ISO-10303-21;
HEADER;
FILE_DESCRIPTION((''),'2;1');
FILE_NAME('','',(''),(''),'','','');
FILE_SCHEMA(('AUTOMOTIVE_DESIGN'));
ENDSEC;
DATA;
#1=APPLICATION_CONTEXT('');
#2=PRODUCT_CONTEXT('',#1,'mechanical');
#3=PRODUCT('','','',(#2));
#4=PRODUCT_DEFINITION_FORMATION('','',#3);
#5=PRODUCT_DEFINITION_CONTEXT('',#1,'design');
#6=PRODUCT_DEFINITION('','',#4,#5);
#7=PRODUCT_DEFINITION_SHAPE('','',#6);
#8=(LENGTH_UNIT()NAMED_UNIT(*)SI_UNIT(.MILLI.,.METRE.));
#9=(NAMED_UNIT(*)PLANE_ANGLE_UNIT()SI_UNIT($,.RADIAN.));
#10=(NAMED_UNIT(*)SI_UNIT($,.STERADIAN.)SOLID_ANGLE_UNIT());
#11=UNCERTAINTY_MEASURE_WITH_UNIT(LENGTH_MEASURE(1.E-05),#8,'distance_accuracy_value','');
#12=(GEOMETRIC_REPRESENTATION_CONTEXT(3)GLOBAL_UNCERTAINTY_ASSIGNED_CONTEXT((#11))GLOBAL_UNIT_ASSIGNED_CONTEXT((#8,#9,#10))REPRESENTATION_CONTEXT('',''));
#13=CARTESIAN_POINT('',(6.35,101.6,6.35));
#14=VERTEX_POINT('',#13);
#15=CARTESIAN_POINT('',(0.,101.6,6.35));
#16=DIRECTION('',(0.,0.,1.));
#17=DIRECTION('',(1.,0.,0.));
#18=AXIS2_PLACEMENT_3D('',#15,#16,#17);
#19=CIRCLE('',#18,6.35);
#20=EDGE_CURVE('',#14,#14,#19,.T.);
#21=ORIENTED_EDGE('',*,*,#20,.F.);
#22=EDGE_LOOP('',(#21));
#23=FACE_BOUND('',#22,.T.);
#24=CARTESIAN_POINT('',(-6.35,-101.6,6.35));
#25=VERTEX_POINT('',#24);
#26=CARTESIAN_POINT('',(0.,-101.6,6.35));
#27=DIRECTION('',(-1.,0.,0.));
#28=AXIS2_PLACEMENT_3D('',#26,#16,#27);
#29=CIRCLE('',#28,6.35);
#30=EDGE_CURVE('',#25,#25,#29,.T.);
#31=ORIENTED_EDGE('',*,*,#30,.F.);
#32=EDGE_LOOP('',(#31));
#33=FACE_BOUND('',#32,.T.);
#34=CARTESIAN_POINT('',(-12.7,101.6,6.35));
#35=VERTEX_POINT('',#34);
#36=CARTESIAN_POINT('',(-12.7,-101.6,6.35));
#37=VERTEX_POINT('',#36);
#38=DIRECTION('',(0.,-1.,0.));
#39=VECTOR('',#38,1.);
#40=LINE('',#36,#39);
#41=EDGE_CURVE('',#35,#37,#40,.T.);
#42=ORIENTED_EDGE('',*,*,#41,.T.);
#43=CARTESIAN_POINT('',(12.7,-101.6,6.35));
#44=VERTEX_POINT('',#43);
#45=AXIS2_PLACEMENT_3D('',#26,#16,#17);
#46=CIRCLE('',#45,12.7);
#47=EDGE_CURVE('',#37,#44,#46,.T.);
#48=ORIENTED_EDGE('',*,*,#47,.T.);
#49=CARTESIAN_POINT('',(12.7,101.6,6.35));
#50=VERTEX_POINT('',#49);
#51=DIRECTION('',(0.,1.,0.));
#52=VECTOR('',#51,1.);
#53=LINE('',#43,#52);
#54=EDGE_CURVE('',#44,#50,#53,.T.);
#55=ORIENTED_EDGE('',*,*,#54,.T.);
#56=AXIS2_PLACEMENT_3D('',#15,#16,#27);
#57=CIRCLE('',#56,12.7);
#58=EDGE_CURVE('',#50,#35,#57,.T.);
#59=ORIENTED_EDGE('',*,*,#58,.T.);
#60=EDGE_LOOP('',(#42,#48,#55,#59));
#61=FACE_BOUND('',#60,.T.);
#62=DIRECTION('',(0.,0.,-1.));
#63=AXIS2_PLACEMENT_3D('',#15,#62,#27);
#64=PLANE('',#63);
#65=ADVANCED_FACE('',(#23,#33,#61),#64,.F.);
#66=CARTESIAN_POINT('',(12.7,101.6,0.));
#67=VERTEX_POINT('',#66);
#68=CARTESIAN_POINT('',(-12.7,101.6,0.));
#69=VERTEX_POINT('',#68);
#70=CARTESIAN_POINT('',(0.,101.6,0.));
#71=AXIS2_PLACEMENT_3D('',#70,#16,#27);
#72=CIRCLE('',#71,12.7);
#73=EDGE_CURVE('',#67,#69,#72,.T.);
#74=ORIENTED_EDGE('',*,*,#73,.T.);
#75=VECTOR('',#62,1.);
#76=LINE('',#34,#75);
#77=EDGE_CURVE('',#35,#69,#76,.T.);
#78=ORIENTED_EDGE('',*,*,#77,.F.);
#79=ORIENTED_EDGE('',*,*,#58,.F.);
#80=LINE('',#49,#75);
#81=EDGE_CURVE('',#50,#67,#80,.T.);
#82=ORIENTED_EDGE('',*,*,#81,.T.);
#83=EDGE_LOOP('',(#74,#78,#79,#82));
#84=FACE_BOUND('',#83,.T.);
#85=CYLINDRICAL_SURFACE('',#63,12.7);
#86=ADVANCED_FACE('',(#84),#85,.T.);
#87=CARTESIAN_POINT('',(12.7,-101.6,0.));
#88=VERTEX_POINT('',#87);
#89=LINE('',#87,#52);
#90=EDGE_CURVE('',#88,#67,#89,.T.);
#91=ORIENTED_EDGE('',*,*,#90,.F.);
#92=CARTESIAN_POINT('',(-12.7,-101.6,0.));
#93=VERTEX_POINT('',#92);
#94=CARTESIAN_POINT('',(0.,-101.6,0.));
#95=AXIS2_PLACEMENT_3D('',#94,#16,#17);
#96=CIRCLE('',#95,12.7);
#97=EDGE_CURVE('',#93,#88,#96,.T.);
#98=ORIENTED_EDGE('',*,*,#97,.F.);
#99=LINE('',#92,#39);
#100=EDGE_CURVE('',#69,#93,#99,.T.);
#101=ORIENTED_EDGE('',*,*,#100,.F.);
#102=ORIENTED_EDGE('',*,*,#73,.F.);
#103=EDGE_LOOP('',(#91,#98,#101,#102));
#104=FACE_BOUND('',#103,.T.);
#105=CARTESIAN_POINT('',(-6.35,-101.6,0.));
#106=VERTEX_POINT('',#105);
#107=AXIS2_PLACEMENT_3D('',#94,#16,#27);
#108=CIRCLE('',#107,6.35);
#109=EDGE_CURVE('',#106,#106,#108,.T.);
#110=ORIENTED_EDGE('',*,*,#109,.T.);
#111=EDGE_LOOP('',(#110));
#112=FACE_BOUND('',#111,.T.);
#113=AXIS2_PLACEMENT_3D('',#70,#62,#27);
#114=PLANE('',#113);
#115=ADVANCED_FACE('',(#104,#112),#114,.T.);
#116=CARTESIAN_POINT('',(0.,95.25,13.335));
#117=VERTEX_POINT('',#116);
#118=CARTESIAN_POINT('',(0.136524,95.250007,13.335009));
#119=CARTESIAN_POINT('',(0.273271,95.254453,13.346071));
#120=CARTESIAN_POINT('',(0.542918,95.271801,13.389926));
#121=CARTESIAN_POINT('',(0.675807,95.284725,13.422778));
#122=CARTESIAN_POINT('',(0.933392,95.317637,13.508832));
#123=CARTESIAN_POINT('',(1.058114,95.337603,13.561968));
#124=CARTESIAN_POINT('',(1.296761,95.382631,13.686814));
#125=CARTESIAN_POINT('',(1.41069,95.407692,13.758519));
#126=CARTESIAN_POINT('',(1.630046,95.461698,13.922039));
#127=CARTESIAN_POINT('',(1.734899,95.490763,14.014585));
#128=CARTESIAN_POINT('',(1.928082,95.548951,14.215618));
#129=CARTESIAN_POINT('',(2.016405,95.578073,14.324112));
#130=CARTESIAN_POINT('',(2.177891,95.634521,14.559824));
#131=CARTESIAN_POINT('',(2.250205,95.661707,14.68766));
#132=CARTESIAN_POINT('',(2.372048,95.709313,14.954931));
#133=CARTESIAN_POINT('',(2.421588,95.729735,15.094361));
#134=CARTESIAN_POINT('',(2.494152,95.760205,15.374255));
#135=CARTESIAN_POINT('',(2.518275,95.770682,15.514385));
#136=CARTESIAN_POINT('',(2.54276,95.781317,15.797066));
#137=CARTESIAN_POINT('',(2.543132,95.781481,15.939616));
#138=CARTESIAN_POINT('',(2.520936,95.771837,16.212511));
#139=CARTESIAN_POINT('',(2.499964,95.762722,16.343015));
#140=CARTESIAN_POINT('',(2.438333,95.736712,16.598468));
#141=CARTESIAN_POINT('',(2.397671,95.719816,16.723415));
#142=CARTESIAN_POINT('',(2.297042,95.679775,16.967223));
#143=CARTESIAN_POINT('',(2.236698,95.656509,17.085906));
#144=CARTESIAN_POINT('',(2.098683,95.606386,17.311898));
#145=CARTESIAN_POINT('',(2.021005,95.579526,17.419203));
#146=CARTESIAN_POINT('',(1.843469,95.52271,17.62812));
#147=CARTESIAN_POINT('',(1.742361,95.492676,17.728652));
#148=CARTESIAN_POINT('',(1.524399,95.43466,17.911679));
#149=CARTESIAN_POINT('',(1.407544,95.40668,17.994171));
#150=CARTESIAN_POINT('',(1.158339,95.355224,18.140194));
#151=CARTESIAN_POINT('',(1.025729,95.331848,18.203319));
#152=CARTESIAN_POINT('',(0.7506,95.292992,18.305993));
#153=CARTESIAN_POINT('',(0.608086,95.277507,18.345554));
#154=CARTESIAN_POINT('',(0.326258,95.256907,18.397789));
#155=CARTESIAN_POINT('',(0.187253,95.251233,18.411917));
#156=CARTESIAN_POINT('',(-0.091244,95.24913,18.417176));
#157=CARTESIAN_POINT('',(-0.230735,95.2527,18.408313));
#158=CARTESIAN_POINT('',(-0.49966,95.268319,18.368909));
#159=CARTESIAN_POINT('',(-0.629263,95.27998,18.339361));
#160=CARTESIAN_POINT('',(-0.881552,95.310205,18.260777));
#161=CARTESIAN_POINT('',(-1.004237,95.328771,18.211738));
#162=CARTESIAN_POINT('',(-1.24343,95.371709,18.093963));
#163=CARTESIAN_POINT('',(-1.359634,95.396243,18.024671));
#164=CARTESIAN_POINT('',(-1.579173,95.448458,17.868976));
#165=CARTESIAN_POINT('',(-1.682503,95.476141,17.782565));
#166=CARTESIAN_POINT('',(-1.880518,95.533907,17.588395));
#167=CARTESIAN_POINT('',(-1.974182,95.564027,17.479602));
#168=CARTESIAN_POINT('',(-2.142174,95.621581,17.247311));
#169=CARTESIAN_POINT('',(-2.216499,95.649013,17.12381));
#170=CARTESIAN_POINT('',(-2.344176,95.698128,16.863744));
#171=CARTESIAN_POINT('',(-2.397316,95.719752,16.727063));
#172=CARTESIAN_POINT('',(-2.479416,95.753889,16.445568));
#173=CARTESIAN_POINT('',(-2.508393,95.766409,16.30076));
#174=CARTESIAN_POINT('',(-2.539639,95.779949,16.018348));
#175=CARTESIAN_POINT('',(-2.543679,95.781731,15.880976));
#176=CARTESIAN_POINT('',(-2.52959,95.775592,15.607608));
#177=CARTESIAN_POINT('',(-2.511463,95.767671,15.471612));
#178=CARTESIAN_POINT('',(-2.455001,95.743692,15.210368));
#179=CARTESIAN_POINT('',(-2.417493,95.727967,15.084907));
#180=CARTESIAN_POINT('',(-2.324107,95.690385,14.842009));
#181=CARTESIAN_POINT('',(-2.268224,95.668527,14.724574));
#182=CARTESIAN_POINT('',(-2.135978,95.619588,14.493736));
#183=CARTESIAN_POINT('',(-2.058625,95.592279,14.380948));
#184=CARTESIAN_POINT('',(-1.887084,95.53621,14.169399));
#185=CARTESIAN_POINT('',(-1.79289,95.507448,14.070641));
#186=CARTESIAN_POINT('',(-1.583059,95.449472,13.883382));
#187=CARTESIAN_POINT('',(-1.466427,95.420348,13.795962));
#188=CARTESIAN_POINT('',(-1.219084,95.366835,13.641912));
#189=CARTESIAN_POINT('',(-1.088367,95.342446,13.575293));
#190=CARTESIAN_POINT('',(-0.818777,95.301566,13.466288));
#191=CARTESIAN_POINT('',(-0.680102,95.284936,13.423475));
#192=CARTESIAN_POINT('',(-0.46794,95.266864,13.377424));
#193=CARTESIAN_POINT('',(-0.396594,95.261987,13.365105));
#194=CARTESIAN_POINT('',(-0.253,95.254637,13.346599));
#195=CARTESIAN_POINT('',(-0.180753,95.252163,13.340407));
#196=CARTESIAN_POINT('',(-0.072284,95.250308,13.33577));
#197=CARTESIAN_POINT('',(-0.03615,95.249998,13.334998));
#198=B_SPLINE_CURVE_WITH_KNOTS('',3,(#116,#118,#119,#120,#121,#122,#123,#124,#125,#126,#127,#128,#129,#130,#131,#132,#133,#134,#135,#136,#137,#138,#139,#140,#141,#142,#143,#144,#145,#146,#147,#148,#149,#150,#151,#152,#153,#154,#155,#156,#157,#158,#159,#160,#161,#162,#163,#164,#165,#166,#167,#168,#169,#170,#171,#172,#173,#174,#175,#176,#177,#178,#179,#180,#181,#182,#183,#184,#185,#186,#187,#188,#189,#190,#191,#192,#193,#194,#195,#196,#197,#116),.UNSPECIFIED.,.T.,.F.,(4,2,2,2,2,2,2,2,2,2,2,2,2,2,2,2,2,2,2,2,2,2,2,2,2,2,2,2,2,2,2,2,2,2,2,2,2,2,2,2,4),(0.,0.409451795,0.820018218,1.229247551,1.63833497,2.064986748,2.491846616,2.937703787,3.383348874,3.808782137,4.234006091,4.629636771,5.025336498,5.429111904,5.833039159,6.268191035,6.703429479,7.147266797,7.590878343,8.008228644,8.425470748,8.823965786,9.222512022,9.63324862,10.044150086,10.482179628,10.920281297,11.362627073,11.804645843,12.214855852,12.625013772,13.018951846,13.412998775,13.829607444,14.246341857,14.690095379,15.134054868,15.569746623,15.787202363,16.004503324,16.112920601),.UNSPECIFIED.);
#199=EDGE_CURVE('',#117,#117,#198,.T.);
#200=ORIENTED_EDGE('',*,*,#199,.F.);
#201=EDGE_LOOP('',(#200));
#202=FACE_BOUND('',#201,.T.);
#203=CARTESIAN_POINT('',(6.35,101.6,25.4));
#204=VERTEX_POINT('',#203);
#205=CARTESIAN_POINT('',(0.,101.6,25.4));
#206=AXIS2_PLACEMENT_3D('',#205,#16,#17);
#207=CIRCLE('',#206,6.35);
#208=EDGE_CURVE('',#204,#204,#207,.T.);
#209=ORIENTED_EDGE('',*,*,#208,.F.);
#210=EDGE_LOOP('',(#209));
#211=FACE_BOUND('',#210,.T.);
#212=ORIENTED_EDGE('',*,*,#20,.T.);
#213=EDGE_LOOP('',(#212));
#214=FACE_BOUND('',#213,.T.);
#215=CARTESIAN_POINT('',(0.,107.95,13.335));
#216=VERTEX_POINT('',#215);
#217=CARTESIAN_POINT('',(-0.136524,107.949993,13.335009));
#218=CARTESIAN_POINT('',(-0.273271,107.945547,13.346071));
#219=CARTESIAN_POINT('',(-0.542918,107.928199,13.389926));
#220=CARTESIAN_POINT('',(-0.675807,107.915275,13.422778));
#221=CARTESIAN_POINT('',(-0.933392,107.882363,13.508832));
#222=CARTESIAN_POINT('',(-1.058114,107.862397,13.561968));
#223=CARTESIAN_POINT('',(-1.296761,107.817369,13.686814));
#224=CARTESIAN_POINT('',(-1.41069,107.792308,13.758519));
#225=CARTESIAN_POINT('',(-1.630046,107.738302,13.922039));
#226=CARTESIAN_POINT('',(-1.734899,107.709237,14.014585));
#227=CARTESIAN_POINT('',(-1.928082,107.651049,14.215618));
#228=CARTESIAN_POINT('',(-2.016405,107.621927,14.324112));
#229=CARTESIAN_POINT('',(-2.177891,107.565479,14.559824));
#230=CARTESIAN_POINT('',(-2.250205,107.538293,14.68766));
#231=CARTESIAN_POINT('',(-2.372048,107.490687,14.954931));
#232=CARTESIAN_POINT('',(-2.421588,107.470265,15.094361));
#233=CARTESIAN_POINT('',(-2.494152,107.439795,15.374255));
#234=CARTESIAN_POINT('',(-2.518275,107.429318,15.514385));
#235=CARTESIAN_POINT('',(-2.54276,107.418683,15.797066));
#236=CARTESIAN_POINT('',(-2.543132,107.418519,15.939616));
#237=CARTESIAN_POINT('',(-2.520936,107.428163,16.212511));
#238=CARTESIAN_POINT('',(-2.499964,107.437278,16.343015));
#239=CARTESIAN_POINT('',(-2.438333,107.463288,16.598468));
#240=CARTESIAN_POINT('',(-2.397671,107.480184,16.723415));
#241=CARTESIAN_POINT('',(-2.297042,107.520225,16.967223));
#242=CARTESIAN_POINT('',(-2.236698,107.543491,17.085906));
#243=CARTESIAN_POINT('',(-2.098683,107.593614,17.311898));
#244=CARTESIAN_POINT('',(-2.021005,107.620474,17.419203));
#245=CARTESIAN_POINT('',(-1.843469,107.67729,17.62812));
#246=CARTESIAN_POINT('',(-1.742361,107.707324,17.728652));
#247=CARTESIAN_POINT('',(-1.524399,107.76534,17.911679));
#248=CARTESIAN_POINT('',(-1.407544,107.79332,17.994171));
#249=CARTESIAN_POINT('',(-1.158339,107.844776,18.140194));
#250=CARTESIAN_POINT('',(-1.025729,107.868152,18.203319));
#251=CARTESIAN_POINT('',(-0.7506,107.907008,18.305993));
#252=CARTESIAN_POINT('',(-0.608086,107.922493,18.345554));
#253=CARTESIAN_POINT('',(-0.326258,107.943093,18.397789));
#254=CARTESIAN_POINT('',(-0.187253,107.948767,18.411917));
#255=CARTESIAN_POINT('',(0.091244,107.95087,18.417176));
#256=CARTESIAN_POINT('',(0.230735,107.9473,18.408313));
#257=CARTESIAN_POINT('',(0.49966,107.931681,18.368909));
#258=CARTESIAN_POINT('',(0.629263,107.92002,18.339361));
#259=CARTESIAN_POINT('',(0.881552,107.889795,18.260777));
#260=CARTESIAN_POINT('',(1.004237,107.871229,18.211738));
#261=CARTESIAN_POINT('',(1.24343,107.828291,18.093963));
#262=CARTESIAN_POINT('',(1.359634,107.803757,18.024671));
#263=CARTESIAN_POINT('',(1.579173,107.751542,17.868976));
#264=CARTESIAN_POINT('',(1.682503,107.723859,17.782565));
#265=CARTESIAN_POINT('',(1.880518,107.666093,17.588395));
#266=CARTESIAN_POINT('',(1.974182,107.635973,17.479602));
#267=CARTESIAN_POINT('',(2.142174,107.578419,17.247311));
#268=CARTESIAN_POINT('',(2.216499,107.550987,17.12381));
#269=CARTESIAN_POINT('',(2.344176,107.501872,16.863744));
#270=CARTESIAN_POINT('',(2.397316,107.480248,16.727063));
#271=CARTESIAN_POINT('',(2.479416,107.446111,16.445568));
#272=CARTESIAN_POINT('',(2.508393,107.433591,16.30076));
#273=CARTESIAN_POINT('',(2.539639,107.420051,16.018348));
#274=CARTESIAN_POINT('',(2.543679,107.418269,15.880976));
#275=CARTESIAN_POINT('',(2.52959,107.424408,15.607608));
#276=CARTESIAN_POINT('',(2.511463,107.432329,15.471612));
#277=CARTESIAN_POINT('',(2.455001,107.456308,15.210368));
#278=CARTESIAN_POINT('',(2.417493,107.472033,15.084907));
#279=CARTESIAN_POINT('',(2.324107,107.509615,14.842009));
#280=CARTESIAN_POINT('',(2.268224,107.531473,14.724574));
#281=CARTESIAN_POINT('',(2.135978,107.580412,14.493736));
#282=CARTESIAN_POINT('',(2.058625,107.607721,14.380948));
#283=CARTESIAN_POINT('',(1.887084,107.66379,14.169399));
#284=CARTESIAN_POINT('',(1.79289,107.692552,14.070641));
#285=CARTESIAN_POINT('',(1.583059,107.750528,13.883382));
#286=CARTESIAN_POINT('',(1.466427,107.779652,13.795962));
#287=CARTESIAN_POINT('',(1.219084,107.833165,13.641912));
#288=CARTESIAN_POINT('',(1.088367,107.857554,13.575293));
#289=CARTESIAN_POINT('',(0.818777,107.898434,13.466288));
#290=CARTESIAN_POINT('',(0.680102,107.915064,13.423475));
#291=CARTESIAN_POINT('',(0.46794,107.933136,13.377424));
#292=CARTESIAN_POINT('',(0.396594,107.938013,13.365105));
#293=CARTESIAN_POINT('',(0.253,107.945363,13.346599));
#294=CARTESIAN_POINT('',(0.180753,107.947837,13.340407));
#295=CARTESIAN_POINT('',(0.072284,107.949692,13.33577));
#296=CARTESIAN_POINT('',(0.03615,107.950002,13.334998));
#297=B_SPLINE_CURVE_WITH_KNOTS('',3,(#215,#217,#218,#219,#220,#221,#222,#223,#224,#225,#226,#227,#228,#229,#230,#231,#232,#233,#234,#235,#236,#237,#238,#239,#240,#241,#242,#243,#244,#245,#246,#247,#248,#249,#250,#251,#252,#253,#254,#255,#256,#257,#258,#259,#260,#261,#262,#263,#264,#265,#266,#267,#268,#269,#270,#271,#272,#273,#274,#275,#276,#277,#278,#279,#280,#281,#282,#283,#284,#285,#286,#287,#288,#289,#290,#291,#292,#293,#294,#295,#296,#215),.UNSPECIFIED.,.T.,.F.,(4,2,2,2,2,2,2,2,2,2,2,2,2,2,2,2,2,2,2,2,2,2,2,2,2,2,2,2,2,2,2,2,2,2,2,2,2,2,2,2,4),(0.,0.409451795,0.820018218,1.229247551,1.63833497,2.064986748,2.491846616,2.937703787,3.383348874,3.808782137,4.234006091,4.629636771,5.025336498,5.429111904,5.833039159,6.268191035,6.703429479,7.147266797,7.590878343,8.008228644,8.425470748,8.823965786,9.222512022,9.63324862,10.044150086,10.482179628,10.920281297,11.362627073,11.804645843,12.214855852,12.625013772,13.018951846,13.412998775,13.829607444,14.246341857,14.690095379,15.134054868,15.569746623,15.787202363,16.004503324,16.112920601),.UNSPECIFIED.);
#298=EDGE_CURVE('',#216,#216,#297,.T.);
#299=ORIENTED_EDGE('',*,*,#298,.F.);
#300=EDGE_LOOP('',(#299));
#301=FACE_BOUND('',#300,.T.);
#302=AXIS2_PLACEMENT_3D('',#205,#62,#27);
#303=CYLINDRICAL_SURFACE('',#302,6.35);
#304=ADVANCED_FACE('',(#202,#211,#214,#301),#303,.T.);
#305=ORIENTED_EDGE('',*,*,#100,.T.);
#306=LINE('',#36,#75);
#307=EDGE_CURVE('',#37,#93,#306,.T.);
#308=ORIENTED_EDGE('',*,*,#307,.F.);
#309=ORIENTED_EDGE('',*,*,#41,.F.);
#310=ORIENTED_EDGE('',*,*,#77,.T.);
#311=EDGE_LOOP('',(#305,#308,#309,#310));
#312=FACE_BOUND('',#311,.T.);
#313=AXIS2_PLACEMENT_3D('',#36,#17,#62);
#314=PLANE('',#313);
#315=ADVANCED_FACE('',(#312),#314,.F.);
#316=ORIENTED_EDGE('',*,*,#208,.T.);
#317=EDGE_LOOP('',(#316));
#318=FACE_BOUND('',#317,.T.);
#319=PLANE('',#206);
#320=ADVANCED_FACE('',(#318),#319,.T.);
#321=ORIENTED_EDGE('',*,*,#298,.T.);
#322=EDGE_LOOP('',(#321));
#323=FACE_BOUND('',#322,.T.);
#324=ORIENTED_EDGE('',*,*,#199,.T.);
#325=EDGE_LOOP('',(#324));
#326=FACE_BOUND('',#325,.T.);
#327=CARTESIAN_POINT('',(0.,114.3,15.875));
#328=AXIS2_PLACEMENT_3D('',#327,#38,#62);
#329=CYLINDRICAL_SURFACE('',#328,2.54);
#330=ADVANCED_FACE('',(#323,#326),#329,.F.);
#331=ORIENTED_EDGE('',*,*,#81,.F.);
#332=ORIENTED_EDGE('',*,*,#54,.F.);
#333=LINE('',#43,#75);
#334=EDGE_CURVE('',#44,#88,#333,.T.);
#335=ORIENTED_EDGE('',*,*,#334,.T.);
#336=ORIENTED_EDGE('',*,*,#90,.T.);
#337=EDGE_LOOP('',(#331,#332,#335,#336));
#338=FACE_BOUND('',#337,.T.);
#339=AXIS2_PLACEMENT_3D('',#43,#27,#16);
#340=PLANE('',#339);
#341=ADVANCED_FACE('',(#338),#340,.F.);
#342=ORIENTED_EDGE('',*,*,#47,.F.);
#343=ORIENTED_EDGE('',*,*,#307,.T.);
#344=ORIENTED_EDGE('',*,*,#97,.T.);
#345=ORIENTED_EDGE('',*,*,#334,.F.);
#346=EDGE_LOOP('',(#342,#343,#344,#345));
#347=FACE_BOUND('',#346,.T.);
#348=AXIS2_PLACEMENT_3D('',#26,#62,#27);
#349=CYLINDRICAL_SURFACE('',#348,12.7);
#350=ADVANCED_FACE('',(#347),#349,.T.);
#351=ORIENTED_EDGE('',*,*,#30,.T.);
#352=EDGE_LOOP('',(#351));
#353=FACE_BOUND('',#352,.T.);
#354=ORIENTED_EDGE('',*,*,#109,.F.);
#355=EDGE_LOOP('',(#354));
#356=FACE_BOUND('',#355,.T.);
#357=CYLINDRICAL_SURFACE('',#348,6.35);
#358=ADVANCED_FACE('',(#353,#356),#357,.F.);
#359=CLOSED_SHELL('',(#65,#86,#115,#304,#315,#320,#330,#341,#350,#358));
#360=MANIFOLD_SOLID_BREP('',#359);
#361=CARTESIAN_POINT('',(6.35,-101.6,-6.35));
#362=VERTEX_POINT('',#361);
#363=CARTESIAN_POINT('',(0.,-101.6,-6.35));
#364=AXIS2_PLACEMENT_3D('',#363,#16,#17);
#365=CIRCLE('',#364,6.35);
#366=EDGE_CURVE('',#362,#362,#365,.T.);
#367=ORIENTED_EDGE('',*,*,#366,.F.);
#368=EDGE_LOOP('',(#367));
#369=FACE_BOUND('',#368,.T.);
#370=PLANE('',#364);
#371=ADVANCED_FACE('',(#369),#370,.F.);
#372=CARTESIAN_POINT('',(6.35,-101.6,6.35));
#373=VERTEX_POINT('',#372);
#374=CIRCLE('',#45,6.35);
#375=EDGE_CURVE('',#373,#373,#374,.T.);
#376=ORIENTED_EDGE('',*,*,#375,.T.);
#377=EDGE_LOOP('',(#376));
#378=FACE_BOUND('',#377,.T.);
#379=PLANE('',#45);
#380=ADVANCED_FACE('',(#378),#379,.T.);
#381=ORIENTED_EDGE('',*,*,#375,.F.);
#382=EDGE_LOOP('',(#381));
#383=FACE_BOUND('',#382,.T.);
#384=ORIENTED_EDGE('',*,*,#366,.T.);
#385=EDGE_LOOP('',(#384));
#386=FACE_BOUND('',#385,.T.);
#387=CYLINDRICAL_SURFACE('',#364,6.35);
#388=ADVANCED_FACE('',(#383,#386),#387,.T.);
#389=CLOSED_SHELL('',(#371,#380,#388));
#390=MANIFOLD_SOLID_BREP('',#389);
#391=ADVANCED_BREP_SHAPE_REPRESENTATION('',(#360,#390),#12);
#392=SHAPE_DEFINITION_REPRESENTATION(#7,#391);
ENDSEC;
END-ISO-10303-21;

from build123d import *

# Parameters (mm, degrees)
SKETCH1_R           = 6.35
BOSS_EXTRUDE1_DEPTH = 6.35
SKETCH2_R           = 6.35
BOSS_EXTRUDE3_DEPTH = 25.4
SKETCH4_R           = 6.35
BOSS_EXTRUDE4_DEPTH = 6.35
SKETCH5_R           = 2.54
CUT_EXTRUDE2_DEPTH  = 118.774954893


with BuildPart() as part:
    # Sketch1 → Boss-Extrude1 (new body)
    with BuildSketch(Plane.XY):
        with BuildLine():
            Line((-12.7, -101.6), (-12.7, 101.6))
            ThreePointArc((-12.7, 101.6), (0, 114.3), (12.7, 101.6))
            Line((12.7, 101.6), (12.7, -101.6))
            ThreePointArc((12.7, -101.6), (0, -114.3), (-12.7, -101.6))
        make_face()
        with Locations((0, 101.6)):
            Circle(SKETCH1_R, mode=Mode.SUBTRACT)
        with Locations(Location((0, -101.6, 0), (0, 0, 180))):
            Circle(SKETCH1_R, mode=Mode.SUBTRACT)
    extrude(amount=BOSS_EXTRUDE1_DEPTH)

    # Sketch2 → Boss-Extrude3 (add)
    with BuildSketch(Plane.XY):
        with Locations((0, 101.6)):
            Circle(SKETCH2_R)
    extrude(amount=BOSS_EXTRUDE3_DEPTH)

    # Sketch5 → Cut-Extrude2 (cut, through all)
    with BuildSketch(Plane(origin=(0, 0, 0), x_dir=(1, 0, 0), z_dir=(0, 1, 0))):
        with Locations(Location((0, -15.875, 0), (0, 0, 90))):
            Circle(SKETCH5_R)
    extrude(amount=CUT_EXTRUDE2_DEPTH, mode=Mode.SUBTRACT)


with BuildPart() as body_2:
    # Sketch4 → Boss-Extrude4 (new, symmetric)
    with BuildSketch(Plane.XY):
        with Locations((0, -101.6)):
            Circle(SKETCH4_R)
    extrude(amount=BOSS_EXTRUDE4_DEPTH, both=True)


solid = Compound([part.part, body_2.part])
